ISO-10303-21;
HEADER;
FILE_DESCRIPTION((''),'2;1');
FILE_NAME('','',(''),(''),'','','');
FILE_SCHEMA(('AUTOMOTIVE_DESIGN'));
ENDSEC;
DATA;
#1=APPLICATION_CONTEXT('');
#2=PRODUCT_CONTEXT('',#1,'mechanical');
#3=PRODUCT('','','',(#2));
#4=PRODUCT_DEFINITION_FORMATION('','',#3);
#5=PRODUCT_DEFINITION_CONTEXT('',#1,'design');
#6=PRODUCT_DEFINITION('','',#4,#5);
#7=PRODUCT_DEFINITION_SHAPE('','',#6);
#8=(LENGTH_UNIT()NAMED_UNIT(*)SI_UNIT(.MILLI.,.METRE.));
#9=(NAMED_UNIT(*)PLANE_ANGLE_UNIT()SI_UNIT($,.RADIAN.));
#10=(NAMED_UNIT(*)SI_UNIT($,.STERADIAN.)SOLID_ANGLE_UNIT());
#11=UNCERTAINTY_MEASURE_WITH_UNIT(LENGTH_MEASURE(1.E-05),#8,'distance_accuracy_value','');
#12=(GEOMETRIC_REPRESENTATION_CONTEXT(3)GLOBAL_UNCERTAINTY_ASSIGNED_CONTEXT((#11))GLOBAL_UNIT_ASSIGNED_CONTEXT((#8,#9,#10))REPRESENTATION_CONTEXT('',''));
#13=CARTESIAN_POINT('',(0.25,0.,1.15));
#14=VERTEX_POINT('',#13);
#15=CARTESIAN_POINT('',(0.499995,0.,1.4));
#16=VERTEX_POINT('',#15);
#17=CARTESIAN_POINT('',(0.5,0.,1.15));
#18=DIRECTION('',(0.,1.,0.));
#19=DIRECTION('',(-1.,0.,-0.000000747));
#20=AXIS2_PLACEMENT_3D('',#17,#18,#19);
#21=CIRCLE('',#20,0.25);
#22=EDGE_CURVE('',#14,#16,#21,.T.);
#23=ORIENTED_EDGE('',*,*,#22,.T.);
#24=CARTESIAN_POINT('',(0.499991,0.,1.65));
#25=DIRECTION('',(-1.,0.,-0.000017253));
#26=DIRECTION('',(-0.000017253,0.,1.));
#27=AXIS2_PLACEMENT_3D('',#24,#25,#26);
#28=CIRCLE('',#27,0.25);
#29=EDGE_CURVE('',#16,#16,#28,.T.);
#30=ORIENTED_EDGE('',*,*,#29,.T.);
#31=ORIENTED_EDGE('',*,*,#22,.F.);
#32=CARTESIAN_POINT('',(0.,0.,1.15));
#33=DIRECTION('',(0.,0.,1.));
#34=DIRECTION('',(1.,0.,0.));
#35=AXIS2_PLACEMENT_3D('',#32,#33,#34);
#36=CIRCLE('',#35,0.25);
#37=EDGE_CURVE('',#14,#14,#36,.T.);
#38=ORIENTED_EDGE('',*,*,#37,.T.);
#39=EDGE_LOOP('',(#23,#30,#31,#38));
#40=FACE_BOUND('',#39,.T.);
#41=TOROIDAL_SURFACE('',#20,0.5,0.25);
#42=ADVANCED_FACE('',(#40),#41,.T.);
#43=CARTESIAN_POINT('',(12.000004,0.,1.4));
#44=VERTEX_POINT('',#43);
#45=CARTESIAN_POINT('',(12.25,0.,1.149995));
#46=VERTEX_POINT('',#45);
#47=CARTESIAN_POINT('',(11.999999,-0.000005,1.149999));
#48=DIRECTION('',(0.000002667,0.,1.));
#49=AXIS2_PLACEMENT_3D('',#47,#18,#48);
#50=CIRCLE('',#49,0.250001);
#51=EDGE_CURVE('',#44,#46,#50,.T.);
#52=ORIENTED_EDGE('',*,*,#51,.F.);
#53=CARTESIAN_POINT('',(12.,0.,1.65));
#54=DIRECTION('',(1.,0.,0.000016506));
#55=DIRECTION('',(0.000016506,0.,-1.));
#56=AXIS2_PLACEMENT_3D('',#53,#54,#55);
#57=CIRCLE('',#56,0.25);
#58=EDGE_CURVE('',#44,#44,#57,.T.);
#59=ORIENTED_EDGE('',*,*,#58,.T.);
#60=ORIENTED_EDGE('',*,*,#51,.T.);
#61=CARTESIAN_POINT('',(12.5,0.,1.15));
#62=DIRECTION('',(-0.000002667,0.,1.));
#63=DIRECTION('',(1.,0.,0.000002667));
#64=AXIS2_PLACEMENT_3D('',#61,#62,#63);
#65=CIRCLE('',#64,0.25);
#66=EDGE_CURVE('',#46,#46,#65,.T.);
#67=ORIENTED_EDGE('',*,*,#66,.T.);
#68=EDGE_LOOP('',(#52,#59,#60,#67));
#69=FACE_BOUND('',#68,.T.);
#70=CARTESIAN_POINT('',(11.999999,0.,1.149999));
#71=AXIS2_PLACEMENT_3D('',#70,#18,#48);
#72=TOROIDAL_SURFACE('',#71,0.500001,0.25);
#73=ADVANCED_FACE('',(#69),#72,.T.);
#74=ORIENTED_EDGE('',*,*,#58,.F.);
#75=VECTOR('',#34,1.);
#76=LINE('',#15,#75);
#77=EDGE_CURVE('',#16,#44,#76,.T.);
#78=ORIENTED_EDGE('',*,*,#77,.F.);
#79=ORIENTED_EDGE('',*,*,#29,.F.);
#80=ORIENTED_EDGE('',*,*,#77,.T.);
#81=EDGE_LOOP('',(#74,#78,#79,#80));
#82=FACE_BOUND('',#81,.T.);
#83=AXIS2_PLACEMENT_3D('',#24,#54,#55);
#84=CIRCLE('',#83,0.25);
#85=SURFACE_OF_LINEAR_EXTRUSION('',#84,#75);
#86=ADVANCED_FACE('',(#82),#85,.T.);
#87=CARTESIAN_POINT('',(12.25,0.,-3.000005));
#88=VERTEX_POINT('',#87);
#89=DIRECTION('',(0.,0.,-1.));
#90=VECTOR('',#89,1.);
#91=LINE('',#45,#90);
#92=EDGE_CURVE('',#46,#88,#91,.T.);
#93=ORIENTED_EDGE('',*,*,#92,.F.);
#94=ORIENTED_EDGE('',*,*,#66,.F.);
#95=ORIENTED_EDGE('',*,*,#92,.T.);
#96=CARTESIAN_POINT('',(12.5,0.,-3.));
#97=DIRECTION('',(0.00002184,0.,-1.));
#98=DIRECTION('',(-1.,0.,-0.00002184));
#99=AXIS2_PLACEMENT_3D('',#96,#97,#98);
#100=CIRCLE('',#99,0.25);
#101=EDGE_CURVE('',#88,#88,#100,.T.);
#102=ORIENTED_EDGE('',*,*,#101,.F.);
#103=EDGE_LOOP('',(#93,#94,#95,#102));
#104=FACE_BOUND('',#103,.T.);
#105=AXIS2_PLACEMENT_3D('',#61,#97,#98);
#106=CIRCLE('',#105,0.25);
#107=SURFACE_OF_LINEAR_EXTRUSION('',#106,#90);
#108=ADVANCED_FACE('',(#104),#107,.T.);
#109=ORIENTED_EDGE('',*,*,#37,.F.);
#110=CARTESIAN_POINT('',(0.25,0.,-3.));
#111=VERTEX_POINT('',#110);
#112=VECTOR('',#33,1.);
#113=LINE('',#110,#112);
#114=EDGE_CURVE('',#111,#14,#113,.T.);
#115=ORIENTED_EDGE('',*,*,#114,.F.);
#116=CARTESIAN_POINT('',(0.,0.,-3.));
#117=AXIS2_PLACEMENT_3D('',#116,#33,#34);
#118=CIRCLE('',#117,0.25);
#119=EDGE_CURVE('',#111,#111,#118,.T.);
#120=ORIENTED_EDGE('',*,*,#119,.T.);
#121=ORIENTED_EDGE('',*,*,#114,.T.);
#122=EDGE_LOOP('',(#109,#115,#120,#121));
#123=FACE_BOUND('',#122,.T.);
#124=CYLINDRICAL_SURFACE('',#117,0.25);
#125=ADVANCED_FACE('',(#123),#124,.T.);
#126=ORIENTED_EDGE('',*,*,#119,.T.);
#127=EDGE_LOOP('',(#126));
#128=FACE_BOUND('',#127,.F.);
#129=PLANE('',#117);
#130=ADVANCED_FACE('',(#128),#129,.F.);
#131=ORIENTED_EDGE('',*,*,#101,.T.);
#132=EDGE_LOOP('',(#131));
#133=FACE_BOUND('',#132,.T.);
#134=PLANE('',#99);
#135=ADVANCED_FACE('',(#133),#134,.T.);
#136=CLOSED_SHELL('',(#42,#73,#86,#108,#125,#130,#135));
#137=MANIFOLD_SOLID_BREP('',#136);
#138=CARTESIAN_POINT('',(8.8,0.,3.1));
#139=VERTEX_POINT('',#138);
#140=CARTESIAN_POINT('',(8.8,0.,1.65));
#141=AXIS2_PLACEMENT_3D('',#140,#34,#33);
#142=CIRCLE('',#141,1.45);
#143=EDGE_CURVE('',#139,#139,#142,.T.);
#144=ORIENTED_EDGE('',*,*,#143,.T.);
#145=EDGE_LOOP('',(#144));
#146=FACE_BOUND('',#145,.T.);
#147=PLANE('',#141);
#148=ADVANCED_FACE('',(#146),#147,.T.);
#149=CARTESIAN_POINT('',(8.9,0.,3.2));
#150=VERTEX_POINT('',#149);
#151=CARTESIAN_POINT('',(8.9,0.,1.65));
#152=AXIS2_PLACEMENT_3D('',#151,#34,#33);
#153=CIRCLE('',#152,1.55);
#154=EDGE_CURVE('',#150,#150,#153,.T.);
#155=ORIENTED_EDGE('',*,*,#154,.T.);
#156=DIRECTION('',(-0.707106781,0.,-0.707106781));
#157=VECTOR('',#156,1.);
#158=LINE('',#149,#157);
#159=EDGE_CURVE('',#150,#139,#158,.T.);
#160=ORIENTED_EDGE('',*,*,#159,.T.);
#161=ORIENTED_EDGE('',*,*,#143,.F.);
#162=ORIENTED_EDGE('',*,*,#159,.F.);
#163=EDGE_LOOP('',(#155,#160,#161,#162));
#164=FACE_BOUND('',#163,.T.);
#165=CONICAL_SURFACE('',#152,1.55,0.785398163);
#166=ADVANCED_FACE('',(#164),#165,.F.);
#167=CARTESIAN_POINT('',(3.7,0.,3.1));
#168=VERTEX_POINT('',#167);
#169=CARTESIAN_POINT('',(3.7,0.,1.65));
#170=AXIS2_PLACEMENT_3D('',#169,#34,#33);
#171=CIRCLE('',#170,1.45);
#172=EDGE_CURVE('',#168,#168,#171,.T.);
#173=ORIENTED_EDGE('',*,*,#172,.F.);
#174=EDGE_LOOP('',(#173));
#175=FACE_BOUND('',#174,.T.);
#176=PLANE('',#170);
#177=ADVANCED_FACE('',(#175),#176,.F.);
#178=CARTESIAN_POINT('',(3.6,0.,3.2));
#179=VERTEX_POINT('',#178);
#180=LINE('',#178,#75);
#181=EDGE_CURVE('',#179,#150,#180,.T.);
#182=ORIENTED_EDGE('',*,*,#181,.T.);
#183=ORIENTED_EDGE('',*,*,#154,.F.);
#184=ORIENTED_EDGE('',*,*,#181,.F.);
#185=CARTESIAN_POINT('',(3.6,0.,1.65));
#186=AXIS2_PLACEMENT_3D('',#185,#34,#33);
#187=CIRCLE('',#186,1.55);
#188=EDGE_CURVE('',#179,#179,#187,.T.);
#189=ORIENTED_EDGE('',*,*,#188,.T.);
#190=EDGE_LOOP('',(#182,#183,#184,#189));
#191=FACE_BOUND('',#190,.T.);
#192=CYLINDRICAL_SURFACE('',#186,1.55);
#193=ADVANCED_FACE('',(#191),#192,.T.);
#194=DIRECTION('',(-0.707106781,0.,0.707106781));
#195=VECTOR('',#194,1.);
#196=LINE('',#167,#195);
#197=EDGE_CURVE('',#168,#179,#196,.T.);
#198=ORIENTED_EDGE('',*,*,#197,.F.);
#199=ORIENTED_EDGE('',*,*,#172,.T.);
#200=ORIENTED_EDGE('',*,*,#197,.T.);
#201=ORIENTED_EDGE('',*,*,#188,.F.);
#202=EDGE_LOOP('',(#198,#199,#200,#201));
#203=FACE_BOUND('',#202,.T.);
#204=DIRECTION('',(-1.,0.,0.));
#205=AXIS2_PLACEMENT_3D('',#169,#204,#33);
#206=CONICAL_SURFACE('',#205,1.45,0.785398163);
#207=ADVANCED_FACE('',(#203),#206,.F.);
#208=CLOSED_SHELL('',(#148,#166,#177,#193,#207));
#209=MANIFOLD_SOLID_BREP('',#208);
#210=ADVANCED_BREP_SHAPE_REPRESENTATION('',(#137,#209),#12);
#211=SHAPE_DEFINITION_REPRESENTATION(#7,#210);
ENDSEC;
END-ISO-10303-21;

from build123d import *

# Parameters (mm, degrees)
SKETCH_R = 0.25


with BuildPart() as sweep_body:
    # Sweep: sweep along a path in Sketch001
    with BuildLine(Plane.XZ) as sweep_path:
        Line((0, -3), (0, 1.15))
        ThreePointArc((0, 1.15), (0.146443, 1.50355), (0.499991, 1.65))
        Line((0.499991, 1.65), (12, 1.65))
        ThreePointArc((12, 1.65), (12.353553, 1.503553), (12.5, 1.15))
        Line((12.5, 1.15), (12.5, -3))
    # Sketch → Sweep (sweep)
    with BuildSketch(Plane.XY.offset(-2)):
        Circle(SKETCH_R)
    sweep(path=sweep_path.line)


with BuildPart() as revolution:
    # Sketch002 → Revolution (revolve)
    with BuildSketch(Plane.XZ):
        Polygon((3.6, 3.2), (8.9, 3.2), (8.8, 3.1), (8.8, 1.65), (3.7, 1.65), (3.7, 3.1), align=None)
    revolve(axis=Axis((7.611803, 0, 1.65), (1, 0, 0)))


solid = Compound([sweep_body.part, revolution.part])
